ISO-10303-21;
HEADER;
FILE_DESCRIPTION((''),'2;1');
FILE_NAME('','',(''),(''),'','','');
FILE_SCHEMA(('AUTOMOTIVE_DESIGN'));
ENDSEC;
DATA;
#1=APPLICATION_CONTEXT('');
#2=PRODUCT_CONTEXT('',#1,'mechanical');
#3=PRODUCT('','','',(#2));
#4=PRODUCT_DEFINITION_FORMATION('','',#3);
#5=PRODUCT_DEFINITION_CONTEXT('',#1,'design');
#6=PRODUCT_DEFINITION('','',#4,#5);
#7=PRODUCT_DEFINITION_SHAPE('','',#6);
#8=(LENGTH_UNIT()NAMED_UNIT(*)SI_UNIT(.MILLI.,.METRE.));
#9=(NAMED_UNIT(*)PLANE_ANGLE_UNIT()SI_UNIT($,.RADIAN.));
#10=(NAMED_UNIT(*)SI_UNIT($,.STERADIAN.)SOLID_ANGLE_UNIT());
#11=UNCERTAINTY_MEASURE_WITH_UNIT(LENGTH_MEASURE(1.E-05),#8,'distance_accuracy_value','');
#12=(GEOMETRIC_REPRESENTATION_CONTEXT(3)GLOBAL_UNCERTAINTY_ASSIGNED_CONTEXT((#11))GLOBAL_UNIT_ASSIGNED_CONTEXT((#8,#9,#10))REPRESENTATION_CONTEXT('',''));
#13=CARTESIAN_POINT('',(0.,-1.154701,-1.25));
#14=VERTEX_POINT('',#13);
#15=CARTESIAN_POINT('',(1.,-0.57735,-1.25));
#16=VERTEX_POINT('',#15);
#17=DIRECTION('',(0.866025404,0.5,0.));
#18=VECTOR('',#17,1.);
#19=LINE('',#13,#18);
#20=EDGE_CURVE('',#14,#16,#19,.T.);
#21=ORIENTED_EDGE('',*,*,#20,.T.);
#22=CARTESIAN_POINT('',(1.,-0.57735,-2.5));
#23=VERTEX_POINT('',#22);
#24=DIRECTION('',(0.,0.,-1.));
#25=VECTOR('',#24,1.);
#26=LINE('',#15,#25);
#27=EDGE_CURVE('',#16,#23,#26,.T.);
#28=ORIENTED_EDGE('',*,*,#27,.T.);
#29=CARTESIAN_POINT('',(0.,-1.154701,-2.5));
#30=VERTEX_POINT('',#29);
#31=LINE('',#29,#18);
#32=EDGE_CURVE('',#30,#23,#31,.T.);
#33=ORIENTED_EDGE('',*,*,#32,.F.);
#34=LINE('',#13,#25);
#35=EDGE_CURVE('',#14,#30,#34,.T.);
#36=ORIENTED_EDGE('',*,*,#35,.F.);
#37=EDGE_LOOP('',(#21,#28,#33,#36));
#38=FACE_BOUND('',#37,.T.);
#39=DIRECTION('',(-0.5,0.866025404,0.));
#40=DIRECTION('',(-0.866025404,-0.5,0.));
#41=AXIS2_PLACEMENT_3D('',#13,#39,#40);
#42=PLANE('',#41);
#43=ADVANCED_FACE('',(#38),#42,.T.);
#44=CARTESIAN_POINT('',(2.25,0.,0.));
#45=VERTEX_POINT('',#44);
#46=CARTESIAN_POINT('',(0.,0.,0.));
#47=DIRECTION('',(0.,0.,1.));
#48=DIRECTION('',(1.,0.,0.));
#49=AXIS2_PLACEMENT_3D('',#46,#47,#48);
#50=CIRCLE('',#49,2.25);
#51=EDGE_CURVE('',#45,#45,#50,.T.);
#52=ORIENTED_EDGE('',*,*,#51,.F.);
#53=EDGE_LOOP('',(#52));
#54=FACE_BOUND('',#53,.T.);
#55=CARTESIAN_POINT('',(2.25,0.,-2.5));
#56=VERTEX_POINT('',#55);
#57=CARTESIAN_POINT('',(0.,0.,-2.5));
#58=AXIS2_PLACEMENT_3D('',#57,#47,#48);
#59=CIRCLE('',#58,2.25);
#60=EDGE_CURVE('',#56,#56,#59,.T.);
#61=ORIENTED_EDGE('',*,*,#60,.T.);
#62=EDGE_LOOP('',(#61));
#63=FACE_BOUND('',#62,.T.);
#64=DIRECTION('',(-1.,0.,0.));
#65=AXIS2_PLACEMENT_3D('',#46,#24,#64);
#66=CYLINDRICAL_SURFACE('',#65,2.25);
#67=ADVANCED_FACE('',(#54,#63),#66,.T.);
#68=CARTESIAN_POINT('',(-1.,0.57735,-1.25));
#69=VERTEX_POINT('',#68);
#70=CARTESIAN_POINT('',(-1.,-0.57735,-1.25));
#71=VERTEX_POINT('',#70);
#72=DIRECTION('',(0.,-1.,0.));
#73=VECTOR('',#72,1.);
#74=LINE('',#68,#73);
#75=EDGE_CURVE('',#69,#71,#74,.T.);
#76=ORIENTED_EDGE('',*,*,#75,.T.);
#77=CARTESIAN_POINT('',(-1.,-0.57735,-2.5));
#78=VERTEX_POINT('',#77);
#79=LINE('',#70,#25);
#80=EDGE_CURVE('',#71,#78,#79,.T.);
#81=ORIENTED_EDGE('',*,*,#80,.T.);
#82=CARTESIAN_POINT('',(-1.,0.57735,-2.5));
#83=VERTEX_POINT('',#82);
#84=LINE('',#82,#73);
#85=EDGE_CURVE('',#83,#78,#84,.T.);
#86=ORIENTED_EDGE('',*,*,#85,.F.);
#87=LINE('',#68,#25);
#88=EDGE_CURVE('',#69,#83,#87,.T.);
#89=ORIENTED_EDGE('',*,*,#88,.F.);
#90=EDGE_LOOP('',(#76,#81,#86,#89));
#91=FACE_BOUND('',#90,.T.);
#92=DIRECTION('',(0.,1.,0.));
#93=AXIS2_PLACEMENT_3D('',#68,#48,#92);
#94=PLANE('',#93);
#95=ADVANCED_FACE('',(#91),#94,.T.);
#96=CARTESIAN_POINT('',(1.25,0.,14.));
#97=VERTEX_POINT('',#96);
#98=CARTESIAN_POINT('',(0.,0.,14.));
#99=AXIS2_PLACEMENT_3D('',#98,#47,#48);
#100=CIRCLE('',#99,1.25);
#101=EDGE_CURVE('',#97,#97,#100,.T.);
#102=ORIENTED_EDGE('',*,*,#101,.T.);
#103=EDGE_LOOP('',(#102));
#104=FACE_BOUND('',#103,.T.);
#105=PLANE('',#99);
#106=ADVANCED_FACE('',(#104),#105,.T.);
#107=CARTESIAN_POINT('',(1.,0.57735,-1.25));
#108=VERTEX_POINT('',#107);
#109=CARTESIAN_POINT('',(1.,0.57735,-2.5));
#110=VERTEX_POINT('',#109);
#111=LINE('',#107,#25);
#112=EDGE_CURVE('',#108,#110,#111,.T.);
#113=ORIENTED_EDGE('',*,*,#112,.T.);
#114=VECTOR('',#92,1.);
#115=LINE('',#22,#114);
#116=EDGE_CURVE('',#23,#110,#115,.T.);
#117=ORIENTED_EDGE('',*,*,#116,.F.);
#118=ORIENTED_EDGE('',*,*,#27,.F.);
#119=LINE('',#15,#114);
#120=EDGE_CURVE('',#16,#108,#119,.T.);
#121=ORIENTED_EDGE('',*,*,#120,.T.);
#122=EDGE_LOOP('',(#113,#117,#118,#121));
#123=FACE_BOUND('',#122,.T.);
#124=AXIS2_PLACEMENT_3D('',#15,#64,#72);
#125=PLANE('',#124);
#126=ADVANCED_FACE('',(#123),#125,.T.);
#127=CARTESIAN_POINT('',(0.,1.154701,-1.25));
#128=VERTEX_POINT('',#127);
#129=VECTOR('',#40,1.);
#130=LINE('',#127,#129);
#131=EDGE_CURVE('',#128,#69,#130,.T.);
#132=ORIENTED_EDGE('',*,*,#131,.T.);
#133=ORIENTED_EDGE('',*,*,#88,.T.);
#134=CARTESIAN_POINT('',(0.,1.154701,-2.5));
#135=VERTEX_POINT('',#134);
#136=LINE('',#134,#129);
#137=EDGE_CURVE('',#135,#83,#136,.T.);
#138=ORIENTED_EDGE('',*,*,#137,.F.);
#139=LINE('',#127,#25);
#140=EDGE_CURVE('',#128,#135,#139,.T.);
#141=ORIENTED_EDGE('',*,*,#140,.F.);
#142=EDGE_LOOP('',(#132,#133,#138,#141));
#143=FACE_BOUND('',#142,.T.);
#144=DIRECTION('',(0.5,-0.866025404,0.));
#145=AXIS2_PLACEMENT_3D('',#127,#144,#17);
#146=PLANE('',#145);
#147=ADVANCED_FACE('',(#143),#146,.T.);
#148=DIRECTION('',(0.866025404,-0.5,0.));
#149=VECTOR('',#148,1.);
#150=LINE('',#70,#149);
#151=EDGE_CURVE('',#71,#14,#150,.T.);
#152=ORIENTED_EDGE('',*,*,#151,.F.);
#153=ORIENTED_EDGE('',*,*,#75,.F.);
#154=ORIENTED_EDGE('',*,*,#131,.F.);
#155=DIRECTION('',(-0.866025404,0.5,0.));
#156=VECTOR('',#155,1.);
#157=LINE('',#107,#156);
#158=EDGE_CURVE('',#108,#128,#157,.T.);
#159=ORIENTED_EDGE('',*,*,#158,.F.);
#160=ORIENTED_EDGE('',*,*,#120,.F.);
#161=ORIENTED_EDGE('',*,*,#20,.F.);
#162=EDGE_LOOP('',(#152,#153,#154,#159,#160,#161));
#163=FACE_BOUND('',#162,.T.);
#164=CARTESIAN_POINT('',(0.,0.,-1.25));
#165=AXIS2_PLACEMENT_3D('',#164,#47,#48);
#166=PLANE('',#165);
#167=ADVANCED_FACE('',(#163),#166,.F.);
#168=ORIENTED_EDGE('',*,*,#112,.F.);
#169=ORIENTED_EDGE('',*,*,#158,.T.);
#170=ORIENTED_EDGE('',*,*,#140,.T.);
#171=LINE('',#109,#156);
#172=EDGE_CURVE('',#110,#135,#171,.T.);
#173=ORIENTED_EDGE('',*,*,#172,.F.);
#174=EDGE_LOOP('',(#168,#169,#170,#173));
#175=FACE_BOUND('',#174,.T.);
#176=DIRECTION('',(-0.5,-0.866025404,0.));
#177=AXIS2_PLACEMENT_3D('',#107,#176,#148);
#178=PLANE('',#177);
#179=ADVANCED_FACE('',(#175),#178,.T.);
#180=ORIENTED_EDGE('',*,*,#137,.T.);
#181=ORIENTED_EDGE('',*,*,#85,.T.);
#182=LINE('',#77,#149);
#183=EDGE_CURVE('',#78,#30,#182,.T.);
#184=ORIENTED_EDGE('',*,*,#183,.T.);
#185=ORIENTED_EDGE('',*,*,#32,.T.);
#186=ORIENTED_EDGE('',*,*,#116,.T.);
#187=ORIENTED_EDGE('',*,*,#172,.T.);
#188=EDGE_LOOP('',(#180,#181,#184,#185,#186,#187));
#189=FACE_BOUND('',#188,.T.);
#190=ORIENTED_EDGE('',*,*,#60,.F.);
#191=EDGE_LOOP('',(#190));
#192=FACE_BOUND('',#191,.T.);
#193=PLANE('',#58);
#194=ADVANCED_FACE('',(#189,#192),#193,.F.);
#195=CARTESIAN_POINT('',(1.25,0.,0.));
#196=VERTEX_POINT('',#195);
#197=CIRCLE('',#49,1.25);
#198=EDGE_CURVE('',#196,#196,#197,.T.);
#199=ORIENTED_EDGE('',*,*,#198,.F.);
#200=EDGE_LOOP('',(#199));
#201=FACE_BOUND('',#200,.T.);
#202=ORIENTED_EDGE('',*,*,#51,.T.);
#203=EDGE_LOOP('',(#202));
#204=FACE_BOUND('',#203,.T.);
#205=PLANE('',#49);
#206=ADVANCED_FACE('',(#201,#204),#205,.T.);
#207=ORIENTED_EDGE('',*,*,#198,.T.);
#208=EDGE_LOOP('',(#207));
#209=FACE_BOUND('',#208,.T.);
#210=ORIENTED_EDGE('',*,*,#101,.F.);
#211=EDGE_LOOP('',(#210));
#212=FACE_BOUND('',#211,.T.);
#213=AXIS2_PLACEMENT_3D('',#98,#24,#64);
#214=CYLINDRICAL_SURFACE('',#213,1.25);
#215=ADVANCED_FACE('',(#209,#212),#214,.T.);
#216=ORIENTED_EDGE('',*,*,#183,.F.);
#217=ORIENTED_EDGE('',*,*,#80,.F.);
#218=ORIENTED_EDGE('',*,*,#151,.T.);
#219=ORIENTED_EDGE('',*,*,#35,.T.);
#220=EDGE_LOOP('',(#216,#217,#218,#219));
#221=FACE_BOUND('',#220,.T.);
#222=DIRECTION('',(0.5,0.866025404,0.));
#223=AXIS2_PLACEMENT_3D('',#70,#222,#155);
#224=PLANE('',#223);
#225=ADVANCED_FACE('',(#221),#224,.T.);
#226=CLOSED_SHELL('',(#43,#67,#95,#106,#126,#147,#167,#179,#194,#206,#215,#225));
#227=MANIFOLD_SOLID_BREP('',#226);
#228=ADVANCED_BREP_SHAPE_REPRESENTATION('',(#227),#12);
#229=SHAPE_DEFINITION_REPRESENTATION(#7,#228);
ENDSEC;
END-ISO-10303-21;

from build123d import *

# Parameters (mm, degrees)
CABEZA_START            = -2.5
SK_CABEZA_R             = 2.25
CABEZA_DEPTH            = 2.5
SK_CUERPO_R             = 1.25
CUERPO_DEPTH            = 14
HEXAGONO_INTERIOR_START = -2.5
HEXAGONO_INTERIOR_DEPTH = 1.25


with BuildPart() as part:
    # Sk_Cabeza → Cabeza (new body)
    with BuildSketch(Plane.XY.offset(CABEZA_START)):
        Circle(SK_CABEZA_R)
    extrude(amount=CABEZA_DEPTH)

    # Sk_Cuerpo → Cuerpo (add)
    with BuildSketch(Plane.XY):
        Circle(SK_CUERPO_R)
    extrude(amount=CUERPO_DEPTH)

    # Sk_Hexagono_interior → Hexagono_interior (cut)
    with BuildSketch(Plane.XY.offset(HEXAGONO_INTERIOR_START)):
        Polygon((0, -1.154700538), (1, -0.577350269), (1, 0.577350269), (0, 1.154700538), (-1, 0.577350269), (-1, -0.577350269), align=None)
    extrude(amount=HEXAGONO_INTERIOR_DEPTH, mode=Mode.SUBTRACT)


solid = part.part
